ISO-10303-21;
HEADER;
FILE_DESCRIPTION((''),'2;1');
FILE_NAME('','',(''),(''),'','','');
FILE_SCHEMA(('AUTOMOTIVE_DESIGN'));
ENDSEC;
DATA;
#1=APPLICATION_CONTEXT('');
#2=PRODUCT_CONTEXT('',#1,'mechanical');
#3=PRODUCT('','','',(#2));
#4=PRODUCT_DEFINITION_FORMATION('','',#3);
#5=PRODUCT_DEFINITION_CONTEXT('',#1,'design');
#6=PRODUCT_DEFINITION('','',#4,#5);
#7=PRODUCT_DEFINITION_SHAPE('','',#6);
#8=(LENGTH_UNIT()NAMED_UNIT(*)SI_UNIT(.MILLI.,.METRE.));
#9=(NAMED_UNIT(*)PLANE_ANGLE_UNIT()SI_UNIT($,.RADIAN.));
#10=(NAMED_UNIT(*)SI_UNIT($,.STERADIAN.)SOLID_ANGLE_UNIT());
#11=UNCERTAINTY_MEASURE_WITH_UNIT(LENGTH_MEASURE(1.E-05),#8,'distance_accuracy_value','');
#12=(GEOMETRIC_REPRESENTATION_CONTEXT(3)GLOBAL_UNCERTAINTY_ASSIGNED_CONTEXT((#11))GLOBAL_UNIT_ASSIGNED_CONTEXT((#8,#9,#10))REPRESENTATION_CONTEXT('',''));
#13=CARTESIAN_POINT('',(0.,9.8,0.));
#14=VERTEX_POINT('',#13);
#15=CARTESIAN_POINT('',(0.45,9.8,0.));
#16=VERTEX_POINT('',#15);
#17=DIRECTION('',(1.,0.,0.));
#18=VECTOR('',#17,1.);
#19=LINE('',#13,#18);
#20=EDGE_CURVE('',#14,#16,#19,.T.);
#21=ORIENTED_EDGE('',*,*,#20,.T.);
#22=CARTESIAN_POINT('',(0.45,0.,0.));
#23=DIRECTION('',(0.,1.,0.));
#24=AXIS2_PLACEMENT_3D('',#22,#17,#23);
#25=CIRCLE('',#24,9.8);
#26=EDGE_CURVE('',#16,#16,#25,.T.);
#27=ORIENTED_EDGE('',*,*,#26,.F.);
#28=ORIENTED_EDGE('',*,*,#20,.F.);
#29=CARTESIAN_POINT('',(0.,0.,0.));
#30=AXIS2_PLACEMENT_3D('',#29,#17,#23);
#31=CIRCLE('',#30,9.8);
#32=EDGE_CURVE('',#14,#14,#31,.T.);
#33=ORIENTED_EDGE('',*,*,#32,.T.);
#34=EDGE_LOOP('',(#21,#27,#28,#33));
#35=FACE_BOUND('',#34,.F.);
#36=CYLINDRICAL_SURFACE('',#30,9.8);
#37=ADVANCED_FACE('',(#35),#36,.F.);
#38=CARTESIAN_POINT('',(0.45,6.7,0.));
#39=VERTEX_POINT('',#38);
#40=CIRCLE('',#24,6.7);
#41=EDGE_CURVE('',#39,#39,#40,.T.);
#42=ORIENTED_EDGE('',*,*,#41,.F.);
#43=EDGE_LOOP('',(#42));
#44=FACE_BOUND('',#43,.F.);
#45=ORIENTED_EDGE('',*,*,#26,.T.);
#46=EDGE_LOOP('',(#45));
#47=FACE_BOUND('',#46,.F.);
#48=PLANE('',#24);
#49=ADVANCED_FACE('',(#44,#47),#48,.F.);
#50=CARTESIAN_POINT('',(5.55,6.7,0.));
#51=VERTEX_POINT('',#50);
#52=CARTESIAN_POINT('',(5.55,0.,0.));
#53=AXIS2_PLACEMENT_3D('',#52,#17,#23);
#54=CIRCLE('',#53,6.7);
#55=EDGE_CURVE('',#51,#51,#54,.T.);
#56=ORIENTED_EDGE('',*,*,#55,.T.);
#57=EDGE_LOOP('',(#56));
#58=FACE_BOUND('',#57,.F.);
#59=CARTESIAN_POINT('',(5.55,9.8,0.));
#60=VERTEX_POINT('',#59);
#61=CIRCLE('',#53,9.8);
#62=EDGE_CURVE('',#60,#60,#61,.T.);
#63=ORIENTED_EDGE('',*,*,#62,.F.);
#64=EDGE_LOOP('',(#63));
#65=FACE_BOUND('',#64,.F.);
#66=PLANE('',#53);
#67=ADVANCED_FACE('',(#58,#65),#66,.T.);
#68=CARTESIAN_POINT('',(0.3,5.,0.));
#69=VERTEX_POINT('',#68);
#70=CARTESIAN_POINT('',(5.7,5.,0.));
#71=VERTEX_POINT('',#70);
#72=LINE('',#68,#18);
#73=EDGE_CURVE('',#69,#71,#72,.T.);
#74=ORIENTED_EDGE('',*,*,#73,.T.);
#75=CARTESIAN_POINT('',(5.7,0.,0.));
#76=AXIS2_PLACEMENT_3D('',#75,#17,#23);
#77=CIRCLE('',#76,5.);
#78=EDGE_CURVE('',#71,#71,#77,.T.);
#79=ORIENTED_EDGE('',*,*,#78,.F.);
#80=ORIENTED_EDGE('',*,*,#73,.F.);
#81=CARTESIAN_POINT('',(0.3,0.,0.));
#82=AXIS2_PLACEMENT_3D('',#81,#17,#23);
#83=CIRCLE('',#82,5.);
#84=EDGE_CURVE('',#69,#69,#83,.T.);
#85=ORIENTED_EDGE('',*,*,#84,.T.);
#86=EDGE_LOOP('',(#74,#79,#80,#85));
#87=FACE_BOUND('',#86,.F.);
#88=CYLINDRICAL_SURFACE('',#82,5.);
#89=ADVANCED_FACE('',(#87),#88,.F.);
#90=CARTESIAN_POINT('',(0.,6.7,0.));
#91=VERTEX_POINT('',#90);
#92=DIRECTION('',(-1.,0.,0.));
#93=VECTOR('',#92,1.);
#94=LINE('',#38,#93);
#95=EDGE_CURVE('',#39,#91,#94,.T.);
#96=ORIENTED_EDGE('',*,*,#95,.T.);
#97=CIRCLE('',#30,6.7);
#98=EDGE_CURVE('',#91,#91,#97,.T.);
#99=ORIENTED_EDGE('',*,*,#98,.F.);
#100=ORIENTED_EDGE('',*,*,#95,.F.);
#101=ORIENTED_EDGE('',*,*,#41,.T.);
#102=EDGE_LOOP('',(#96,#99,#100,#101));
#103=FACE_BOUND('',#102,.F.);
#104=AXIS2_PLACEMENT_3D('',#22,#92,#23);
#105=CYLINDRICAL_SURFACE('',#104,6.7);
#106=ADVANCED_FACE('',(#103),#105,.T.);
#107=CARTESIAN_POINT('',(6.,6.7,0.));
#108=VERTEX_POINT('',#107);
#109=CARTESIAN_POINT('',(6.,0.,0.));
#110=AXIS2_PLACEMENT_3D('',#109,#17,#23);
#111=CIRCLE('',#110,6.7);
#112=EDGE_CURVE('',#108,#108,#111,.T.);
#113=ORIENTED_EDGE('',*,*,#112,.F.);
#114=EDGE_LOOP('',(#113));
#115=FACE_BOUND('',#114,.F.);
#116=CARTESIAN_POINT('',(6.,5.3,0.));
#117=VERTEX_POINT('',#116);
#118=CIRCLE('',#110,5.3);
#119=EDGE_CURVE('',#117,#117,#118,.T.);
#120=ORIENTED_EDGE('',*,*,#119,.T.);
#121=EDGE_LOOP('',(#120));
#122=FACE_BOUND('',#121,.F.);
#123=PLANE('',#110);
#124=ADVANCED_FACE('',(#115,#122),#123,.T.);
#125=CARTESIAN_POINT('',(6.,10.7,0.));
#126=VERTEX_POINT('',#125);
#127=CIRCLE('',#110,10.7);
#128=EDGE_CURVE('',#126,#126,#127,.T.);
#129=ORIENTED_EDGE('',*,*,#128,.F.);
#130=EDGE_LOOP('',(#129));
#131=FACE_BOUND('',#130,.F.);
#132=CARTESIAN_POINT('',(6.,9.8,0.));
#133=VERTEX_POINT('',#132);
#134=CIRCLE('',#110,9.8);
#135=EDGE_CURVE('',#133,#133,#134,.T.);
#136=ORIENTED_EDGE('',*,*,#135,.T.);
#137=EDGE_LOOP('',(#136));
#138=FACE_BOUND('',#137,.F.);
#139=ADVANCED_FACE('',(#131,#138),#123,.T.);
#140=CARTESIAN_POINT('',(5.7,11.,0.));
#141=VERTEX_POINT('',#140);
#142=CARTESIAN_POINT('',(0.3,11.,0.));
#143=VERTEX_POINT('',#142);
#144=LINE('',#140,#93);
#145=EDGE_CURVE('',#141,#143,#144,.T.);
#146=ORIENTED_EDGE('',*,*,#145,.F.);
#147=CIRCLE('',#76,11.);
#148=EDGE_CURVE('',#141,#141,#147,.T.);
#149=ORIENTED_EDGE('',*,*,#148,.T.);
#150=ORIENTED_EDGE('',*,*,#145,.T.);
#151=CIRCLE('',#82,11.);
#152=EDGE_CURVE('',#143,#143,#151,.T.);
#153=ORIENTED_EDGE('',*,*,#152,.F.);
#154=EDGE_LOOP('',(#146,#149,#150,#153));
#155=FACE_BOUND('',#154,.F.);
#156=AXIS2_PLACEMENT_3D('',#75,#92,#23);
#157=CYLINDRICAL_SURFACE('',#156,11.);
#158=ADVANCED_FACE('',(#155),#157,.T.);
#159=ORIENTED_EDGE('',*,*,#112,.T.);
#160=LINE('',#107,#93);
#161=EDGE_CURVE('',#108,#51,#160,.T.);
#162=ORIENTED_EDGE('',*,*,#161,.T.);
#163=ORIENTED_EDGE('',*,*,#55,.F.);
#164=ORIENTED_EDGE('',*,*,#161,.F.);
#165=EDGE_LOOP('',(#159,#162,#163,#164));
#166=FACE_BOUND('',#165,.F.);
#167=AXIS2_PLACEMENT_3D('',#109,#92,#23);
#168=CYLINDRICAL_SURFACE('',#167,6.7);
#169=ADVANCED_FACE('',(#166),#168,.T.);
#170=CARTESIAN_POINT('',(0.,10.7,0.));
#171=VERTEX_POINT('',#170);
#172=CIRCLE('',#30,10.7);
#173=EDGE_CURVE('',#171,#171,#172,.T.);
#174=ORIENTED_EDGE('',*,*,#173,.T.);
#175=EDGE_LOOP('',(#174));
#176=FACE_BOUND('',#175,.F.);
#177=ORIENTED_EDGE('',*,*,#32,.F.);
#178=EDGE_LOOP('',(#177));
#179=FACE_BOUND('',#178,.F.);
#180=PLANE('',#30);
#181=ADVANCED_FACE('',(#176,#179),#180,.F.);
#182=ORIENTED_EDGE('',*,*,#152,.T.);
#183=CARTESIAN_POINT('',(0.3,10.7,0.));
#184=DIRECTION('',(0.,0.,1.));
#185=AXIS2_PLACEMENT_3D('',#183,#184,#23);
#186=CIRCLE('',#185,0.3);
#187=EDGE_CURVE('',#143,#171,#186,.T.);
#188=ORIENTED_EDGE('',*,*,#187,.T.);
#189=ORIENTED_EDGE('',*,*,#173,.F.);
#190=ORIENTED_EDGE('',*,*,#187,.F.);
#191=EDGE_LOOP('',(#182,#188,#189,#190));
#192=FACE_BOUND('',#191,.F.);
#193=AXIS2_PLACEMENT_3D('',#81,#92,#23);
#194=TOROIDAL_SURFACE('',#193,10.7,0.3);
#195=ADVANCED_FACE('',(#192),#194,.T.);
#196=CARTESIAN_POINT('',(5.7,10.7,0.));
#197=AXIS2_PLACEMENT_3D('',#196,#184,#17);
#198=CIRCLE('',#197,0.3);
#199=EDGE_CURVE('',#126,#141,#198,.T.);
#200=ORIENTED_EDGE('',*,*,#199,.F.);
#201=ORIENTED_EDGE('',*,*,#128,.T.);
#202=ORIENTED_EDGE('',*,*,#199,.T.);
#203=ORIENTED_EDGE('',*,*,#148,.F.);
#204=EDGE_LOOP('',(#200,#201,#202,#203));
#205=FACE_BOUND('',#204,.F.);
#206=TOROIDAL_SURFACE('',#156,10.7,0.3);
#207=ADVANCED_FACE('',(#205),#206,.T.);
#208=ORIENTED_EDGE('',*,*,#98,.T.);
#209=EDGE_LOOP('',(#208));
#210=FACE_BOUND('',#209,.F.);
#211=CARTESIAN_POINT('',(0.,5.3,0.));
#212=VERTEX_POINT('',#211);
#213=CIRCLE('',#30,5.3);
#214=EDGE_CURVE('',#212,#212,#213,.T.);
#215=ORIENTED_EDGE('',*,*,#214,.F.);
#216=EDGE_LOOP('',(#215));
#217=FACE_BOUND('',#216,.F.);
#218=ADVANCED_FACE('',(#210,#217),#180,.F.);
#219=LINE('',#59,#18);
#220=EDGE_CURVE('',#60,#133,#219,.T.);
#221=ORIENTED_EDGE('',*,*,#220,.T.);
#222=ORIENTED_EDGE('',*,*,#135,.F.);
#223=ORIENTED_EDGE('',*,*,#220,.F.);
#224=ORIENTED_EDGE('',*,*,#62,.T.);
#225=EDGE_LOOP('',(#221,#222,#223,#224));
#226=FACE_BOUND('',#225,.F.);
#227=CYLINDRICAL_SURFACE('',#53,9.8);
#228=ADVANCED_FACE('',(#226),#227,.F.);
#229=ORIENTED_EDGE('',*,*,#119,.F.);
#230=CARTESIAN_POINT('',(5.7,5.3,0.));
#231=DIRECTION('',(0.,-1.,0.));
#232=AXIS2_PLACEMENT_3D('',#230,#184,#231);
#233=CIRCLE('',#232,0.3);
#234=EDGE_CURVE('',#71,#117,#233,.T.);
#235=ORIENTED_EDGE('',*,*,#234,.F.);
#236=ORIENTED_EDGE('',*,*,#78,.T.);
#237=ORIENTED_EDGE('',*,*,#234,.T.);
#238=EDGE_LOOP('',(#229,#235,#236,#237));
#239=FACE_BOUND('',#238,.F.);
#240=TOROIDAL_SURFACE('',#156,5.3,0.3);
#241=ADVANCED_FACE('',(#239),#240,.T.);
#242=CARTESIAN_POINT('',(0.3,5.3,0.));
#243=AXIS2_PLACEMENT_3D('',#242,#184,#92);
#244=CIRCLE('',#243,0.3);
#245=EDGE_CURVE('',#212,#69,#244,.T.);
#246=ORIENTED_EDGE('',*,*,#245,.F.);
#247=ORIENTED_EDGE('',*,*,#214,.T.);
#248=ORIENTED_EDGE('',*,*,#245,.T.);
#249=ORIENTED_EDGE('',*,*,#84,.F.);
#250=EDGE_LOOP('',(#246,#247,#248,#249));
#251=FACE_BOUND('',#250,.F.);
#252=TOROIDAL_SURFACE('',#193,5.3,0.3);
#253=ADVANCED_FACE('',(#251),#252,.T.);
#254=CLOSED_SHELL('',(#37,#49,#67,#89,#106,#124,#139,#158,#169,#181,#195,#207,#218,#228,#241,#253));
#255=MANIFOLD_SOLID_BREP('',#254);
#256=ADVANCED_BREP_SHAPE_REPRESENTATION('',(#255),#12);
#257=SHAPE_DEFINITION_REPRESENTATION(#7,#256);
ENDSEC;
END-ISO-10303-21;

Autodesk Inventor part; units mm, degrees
sketch "Sketch_1" plane through (0, 0, 0) normal (0, 0, 1) x (1, 0, 0)
  line L0 (6, 0) -> (0, 0)
  arc A0 (0, 5.3) -> (0.3, 5) centre (0.3, 5.3) ccw
  line L1 (0.3, 5) -> (5.7, 5)
  arc A1 (5.7, 5) -> (6, 5.3) centre (5.7, 5.3) ccw
  line L2 (6, 5.3) -> (6, 6.7)
  line L3 (6, 6.7) -> (5.55, 6.7)
  line L4 (5.55, 6.7) -> (5.55, 9.8)
  line L5 (5.55, 9.8) -> (6, 9.8)
  line L6 (6, 9.8) -> (6, 10.7)
  arc A2 (6, 10.7) -> (5.7, 11) centre (5.7, 10.7) ccw
  line L7 (5.7, 11) -> (0.3, 11)
  arc A3 (0.3, 11) -> (0, 10.7) centre (0.3, 10.7) ccw
  line L8 (0, 10.7) -> (0, 9.8)
  line L9 (0, 9.8) -> (0.45, 9.8)
  line L10 (0.45, 9.8) -> (0.45, 6.7)
  line L11 (0.45, 6.7) -> (0, 6.7)
  line L12 (0, 6.7) -> (0, 5.3)
revolve "Revolution1" add sketch "Sketch_1" angle 360 about axis through (6, 0, 0) along (1, 0, 0)
ref_plane "center_point_XY" through (3, 0, 0) normal (1, 0, 0) x (0, 0, -1)
ref_plane "center_point_YZ" through (3, 0, 0) normal (0, 0, -1) x (0, 1, 0)
ref_plane "center_point_ZX" through (3, 0, 0) normal (0, 1, 0) x (1, 0, 0)
ref_plane "to_housing_XY" through (0, 0, 0) normal (1, 0, 0) x (0, 0, -1)
ref_plane "to_housing_YZ" through (0, 0, 0) normal (0, 0, -1) x (0, 1, 0)
ref_plane "to_housing_ZX" through (0, 0, 0) normal (0, 1, 0) x (1, 0, 0)
ref_plane "to_ring_XY" through (5.1, 0, 0) normal (1, 0, 0) x (0, 0, -1)
ref_plane "to_ring_YZ" through (5.1, 0, 0) normal (0, 0, -1) x (0, 1, 0)
ref_plane "to_ring_ZX" through (5.1, 0, 0) normal (0, 1, 0) x (1, 0, 0)
properties part number "B6900ZZ"
